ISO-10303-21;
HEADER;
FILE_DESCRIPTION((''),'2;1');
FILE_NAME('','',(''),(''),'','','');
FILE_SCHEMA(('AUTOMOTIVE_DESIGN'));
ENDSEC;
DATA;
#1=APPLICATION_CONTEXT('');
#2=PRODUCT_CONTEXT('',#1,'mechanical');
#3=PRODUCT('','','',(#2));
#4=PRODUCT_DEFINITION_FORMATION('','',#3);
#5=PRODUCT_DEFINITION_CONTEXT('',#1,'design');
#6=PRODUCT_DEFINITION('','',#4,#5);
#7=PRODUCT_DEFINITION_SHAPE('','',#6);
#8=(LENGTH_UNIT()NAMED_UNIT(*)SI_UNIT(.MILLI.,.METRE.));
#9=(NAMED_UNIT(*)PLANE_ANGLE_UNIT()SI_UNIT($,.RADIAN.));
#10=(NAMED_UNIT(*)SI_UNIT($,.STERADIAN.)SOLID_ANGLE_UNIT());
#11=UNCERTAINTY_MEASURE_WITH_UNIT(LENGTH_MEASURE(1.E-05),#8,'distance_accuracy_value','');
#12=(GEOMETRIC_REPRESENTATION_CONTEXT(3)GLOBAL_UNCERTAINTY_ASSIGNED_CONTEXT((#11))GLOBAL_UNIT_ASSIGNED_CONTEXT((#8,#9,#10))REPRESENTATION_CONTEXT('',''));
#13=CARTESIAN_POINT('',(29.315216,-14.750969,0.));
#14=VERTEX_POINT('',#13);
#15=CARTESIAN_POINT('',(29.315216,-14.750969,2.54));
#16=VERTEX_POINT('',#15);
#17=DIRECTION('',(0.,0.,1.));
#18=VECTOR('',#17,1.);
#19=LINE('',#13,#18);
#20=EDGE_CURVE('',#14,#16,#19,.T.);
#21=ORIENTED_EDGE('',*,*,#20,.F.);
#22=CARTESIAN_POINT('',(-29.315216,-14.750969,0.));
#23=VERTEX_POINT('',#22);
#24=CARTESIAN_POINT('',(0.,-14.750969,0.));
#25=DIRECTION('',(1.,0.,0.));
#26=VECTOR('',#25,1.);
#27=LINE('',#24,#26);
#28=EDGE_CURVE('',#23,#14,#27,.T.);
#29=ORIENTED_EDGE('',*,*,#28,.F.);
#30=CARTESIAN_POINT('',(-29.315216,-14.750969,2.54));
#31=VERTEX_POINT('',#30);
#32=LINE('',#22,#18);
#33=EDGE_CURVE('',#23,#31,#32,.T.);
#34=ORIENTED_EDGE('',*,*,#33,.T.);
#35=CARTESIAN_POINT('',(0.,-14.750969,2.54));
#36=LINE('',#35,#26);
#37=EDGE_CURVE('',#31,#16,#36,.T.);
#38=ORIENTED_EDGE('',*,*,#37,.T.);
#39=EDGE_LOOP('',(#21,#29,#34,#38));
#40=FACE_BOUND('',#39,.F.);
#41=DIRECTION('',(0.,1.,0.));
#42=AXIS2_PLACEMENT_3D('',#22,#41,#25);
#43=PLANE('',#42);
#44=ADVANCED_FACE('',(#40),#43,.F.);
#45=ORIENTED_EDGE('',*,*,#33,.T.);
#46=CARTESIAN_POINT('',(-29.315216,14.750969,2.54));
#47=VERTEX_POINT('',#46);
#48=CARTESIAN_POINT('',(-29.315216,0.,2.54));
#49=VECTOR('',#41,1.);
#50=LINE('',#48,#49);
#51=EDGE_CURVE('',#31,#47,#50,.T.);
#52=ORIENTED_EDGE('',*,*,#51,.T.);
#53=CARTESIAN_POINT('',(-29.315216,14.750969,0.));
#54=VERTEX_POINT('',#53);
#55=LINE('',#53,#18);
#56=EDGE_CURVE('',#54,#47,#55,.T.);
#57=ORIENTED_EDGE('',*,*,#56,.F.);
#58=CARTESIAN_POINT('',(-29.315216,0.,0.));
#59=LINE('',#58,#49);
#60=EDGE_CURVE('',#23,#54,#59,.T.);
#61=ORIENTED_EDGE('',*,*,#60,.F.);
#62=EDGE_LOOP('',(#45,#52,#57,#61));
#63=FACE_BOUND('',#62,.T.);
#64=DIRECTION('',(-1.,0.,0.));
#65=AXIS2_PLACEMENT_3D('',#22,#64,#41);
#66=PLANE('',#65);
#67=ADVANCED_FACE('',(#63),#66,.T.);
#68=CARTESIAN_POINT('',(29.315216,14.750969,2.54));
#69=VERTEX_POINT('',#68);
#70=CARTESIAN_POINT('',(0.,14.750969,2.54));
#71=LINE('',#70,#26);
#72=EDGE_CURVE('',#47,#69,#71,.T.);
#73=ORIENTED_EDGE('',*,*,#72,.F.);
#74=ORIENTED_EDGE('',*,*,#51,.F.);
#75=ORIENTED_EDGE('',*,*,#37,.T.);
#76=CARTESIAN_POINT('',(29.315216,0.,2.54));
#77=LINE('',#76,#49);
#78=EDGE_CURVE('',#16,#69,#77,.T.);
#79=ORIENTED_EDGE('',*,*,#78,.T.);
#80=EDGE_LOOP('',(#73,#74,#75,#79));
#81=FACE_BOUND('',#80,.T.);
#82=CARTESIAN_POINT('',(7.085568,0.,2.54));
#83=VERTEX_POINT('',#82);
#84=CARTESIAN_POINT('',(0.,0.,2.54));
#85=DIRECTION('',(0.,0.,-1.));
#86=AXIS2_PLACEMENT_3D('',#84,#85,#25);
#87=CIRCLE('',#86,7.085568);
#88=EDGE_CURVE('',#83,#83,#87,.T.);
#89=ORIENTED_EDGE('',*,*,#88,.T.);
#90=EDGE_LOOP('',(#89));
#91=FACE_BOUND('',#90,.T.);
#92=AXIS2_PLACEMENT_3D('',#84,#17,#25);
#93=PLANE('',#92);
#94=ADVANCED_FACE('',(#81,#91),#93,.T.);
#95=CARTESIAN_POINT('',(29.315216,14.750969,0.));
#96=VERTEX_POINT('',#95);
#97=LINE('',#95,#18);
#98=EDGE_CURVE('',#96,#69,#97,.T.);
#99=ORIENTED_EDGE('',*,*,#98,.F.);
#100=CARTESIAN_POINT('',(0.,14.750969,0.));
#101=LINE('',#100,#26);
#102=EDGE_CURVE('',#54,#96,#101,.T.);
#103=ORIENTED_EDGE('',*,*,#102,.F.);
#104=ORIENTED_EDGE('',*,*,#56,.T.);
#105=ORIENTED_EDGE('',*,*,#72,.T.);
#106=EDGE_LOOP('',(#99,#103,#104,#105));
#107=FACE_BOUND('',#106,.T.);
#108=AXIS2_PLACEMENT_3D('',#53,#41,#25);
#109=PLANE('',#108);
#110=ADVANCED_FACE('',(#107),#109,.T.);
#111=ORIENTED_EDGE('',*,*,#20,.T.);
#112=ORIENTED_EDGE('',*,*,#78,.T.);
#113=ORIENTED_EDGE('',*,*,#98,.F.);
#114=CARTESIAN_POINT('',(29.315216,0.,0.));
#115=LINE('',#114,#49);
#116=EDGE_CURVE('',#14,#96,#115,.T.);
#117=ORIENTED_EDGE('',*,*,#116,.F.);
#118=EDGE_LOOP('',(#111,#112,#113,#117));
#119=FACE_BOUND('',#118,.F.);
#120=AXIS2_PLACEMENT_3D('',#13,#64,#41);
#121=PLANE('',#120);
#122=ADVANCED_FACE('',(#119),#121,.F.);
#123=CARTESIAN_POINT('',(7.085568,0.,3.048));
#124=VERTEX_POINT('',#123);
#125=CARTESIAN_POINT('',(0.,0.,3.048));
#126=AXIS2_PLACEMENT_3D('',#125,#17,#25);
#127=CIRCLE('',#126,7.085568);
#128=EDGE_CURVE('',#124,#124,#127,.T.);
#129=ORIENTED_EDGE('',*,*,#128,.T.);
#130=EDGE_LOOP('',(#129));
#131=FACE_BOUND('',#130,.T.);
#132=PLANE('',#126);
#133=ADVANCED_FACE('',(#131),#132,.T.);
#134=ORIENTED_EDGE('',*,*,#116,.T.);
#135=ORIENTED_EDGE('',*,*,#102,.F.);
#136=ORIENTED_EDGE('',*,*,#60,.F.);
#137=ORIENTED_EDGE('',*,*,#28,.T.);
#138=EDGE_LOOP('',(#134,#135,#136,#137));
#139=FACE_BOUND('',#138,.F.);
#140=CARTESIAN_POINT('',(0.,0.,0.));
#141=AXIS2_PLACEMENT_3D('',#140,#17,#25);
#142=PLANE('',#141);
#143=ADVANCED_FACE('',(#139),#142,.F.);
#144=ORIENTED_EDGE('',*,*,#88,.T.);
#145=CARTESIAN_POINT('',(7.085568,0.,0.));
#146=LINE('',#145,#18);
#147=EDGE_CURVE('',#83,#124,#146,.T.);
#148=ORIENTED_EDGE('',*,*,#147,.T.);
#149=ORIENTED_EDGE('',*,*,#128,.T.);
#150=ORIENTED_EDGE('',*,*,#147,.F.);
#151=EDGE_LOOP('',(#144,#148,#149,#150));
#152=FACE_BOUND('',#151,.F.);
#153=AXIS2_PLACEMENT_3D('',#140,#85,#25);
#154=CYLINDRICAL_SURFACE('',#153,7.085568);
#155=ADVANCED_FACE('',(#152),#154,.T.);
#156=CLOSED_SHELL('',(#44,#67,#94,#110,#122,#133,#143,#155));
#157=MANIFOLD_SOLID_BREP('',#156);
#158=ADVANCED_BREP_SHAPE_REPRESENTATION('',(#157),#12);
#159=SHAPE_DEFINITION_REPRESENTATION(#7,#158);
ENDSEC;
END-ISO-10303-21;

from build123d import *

# Parameters (mm, degrees)
F0_W     = 58.630432
F0_H     = 29.501938
F1_DEPTH = 2.54
F2_R     = 7.085568
F3_DEPTH = 3.048


with BuildPart() as f1:
    # F0 (on Top) → F1 (new body)
    with BuildSketch(Plane.XY):
        Rectangle(F0_W, F0_H)
    extrude(amount=F1_DEPTH)

    # F2 (on Top) → F3 (join)
    with BuildSketch(Plane.XY):
        Circle(F2_R)
    extrude(amount=F3_DEPTH)


solid = f1.part
